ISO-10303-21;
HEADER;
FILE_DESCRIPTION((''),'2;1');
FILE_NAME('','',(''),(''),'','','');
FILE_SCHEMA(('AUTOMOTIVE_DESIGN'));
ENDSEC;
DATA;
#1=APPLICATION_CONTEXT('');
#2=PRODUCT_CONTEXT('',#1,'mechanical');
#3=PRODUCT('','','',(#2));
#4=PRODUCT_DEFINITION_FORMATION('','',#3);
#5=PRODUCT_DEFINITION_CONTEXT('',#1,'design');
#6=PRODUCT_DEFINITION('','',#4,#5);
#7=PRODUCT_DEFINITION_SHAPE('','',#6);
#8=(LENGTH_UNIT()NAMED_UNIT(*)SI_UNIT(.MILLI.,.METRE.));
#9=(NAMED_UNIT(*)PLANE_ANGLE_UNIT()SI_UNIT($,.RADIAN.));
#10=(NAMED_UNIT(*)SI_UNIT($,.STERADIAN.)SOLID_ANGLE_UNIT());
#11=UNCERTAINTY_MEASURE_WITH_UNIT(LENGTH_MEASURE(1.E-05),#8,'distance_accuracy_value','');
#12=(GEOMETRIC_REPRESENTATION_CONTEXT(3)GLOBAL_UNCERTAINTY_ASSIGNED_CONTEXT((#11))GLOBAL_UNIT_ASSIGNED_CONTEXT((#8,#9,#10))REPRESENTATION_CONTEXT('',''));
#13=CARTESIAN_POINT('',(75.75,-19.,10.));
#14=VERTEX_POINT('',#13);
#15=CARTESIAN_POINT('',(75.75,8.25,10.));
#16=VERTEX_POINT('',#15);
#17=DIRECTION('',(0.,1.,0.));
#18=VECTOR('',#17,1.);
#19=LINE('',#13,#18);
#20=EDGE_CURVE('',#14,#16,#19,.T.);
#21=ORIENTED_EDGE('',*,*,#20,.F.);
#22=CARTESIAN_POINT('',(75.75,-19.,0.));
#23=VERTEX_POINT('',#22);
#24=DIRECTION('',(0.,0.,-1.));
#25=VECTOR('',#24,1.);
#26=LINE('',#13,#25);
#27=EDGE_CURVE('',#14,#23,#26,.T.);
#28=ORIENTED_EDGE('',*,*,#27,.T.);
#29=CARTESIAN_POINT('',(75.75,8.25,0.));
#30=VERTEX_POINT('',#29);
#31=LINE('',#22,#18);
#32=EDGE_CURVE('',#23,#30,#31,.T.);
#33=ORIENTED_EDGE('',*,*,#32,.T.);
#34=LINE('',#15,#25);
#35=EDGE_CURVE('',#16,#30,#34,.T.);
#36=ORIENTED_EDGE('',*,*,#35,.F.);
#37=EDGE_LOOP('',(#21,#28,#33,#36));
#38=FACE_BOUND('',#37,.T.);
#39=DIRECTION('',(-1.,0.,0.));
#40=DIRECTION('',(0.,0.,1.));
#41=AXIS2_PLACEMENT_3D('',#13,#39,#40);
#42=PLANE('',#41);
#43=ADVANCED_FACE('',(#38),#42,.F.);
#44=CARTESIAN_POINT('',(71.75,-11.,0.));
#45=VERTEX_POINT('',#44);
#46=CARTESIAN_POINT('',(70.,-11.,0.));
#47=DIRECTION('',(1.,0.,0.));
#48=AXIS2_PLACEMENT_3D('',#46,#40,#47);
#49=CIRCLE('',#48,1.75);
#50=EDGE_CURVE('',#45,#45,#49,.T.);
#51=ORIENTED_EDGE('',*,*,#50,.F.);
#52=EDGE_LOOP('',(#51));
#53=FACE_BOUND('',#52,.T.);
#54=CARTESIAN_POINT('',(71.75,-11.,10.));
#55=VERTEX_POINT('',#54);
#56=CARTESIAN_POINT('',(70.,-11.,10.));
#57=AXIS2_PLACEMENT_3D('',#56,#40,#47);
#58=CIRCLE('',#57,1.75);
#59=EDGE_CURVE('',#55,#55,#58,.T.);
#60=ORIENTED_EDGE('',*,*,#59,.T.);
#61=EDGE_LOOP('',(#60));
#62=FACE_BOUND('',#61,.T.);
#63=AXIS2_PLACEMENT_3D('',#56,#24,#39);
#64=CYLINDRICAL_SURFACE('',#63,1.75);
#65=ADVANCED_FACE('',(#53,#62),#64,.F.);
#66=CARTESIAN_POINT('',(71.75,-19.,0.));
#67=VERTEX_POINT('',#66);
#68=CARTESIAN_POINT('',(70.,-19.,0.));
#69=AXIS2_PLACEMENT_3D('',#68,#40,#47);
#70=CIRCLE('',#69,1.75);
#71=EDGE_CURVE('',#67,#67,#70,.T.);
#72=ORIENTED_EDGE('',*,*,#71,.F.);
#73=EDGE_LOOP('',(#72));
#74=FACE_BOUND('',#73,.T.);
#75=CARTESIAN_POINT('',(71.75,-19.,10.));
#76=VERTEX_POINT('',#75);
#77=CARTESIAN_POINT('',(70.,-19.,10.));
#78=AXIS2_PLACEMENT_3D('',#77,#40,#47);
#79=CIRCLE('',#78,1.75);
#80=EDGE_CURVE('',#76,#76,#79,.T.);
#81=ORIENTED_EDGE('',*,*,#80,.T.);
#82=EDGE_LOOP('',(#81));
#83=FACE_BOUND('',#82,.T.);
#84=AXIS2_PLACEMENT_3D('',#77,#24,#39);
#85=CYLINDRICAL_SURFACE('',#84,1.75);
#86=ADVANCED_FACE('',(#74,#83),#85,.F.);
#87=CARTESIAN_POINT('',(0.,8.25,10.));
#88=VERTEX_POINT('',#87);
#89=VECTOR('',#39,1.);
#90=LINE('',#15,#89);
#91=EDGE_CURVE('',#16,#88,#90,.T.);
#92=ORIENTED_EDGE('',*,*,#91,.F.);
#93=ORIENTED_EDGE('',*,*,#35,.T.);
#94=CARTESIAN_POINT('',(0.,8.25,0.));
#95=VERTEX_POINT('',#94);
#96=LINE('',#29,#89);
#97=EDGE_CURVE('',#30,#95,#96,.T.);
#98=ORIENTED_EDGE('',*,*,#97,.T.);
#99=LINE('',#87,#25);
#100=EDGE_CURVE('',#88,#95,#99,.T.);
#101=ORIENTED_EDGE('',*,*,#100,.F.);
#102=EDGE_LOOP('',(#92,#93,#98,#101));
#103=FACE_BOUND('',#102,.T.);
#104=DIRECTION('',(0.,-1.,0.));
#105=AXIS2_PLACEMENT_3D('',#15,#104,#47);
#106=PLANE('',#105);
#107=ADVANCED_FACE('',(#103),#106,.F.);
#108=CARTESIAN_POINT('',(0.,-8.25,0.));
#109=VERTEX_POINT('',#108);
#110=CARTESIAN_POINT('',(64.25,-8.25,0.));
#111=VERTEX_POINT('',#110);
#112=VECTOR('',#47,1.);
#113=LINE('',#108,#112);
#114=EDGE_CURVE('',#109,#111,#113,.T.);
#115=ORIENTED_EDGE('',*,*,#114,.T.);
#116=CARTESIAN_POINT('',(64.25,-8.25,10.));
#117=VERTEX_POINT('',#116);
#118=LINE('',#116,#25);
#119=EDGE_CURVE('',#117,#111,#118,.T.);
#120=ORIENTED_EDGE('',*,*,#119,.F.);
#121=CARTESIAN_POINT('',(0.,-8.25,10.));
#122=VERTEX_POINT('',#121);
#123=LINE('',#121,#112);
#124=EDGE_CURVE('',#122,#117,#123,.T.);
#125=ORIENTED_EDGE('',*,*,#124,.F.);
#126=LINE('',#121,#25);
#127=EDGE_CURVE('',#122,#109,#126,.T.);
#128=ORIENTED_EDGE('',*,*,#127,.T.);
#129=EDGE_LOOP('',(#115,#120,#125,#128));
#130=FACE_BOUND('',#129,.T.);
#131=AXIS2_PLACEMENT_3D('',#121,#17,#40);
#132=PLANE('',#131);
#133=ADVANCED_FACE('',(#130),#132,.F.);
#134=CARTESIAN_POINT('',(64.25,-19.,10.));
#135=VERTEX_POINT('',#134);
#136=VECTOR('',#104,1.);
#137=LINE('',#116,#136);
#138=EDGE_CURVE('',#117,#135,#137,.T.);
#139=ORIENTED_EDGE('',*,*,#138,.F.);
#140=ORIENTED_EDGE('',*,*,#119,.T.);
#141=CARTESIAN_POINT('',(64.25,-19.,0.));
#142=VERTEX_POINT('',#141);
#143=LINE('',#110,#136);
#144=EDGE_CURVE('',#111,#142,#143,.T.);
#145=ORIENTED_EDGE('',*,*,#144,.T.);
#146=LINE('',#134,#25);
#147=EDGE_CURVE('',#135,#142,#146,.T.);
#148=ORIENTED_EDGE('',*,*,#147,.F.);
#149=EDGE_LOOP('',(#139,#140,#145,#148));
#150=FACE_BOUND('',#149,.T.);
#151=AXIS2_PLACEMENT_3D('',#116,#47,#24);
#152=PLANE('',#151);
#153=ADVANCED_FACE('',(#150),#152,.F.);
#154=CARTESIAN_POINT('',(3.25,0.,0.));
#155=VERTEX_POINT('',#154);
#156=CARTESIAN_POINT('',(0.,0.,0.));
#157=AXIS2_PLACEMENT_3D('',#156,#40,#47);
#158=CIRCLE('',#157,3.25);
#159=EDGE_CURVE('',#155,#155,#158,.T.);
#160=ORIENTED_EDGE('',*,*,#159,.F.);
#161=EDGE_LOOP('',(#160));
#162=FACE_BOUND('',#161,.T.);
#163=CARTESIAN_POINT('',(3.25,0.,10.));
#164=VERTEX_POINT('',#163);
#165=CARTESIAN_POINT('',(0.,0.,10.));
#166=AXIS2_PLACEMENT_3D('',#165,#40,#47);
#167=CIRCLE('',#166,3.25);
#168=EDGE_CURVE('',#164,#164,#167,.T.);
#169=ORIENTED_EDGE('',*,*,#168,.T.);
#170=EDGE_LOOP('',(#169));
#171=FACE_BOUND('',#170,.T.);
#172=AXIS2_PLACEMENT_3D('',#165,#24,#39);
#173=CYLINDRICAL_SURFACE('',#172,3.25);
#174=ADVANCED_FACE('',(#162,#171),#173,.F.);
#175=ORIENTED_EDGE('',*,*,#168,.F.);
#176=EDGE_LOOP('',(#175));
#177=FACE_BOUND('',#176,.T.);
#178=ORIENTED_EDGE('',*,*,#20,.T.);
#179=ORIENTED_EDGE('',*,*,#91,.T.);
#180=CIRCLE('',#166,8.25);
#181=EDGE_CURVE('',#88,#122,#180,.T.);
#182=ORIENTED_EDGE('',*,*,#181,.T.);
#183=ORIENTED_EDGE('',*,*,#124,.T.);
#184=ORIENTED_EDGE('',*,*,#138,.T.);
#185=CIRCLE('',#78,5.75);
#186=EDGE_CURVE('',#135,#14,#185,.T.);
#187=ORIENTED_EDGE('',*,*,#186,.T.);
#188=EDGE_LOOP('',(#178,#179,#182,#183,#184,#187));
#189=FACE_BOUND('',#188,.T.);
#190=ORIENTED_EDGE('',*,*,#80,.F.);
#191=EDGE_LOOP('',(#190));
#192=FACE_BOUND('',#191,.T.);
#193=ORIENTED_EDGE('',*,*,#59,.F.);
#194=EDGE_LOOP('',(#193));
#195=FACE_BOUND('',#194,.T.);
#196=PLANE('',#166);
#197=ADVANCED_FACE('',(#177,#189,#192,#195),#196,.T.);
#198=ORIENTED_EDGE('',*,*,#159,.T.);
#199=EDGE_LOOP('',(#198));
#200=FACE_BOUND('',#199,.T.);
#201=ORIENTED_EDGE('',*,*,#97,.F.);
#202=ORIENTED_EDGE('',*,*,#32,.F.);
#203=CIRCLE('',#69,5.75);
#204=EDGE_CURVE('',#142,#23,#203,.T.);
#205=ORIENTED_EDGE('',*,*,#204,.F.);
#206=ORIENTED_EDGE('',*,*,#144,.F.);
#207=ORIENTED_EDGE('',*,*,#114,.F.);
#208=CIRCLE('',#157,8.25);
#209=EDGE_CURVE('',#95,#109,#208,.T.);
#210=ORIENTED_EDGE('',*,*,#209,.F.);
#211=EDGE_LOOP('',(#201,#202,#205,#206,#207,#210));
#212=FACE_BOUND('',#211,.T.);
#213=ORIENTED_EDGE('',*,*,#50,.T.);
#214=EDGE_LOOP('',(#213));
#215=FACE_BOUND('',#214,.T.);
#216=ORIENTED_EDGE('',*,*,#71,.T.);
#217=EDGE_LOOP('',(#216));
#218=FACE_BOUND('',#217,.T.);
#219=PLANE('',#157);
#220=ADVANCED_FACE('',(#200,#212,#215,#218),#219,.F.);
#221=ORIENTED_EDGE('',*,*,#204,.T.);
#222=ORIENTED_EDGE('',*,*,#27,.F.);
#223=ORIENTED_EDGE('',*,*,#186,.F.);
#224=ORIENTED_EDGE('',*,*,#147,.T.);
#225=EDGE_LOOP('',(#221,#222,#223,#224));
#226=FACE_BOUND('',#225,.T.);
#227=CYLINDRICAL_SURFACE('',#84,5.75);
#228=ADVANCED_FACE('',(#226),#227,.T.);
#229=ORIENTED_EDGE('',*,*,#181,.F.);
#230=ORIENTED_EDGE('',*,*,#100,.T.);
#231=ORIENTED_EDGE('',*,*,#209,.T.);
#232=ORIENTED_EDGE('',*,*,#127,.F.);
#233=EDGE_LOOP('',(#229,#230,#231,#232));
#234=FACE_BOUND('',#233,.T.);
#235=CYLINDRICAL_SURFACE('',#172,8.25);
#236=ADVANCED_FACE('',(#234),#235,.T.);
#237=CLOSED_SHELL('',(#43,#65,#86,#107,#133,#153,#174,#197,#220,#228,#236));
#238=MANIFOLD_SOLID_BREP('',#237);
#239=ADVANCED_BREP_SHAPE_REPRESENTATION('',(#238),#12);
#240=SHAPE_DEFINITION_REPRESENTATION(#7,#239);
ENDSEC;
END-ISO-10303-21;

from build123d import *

# Parameters (mm, degrees)
SKETCH1_R           = 3.25
SKETCH1_R_2         = 1.75
BOSS_EXTRUDE1_DEPTH = 10


with BuildPart() as part:
    # Sketch1 → Boss-Extrude1 (new body)
    with BuildSketch(Plane.XY):
        with BuildLine():
            Line((75.75, 8.25), (0, 8.25))
            ThreePointArc((0, 8.25), (-8.25, 0), (0, -8.25))
            Line((0, -8.25), (64.25, -8.25))
            Line((64.25, -8.25), (64.25, -19))
            ThreePointArc((64.25, -19), (70, -24.75), (75.75, -19))
            Line((75.75, -19), (75.75, 8.25))
        make_face()
        Circle(SKETCH1_R, mode=Mode.SUBTRACT)
        with Locations((70, -11)):
            Circle(SKETCH1_R_2, mode=Mode.SUBTRACT)
        with Locations((70, -19)):
            Circle(SKETCH1_R_2, mode=Mode.SUBTRACT)
    extrude(amount=BOSS_EXTRUDE1_DEPTH)


solid = part.part
